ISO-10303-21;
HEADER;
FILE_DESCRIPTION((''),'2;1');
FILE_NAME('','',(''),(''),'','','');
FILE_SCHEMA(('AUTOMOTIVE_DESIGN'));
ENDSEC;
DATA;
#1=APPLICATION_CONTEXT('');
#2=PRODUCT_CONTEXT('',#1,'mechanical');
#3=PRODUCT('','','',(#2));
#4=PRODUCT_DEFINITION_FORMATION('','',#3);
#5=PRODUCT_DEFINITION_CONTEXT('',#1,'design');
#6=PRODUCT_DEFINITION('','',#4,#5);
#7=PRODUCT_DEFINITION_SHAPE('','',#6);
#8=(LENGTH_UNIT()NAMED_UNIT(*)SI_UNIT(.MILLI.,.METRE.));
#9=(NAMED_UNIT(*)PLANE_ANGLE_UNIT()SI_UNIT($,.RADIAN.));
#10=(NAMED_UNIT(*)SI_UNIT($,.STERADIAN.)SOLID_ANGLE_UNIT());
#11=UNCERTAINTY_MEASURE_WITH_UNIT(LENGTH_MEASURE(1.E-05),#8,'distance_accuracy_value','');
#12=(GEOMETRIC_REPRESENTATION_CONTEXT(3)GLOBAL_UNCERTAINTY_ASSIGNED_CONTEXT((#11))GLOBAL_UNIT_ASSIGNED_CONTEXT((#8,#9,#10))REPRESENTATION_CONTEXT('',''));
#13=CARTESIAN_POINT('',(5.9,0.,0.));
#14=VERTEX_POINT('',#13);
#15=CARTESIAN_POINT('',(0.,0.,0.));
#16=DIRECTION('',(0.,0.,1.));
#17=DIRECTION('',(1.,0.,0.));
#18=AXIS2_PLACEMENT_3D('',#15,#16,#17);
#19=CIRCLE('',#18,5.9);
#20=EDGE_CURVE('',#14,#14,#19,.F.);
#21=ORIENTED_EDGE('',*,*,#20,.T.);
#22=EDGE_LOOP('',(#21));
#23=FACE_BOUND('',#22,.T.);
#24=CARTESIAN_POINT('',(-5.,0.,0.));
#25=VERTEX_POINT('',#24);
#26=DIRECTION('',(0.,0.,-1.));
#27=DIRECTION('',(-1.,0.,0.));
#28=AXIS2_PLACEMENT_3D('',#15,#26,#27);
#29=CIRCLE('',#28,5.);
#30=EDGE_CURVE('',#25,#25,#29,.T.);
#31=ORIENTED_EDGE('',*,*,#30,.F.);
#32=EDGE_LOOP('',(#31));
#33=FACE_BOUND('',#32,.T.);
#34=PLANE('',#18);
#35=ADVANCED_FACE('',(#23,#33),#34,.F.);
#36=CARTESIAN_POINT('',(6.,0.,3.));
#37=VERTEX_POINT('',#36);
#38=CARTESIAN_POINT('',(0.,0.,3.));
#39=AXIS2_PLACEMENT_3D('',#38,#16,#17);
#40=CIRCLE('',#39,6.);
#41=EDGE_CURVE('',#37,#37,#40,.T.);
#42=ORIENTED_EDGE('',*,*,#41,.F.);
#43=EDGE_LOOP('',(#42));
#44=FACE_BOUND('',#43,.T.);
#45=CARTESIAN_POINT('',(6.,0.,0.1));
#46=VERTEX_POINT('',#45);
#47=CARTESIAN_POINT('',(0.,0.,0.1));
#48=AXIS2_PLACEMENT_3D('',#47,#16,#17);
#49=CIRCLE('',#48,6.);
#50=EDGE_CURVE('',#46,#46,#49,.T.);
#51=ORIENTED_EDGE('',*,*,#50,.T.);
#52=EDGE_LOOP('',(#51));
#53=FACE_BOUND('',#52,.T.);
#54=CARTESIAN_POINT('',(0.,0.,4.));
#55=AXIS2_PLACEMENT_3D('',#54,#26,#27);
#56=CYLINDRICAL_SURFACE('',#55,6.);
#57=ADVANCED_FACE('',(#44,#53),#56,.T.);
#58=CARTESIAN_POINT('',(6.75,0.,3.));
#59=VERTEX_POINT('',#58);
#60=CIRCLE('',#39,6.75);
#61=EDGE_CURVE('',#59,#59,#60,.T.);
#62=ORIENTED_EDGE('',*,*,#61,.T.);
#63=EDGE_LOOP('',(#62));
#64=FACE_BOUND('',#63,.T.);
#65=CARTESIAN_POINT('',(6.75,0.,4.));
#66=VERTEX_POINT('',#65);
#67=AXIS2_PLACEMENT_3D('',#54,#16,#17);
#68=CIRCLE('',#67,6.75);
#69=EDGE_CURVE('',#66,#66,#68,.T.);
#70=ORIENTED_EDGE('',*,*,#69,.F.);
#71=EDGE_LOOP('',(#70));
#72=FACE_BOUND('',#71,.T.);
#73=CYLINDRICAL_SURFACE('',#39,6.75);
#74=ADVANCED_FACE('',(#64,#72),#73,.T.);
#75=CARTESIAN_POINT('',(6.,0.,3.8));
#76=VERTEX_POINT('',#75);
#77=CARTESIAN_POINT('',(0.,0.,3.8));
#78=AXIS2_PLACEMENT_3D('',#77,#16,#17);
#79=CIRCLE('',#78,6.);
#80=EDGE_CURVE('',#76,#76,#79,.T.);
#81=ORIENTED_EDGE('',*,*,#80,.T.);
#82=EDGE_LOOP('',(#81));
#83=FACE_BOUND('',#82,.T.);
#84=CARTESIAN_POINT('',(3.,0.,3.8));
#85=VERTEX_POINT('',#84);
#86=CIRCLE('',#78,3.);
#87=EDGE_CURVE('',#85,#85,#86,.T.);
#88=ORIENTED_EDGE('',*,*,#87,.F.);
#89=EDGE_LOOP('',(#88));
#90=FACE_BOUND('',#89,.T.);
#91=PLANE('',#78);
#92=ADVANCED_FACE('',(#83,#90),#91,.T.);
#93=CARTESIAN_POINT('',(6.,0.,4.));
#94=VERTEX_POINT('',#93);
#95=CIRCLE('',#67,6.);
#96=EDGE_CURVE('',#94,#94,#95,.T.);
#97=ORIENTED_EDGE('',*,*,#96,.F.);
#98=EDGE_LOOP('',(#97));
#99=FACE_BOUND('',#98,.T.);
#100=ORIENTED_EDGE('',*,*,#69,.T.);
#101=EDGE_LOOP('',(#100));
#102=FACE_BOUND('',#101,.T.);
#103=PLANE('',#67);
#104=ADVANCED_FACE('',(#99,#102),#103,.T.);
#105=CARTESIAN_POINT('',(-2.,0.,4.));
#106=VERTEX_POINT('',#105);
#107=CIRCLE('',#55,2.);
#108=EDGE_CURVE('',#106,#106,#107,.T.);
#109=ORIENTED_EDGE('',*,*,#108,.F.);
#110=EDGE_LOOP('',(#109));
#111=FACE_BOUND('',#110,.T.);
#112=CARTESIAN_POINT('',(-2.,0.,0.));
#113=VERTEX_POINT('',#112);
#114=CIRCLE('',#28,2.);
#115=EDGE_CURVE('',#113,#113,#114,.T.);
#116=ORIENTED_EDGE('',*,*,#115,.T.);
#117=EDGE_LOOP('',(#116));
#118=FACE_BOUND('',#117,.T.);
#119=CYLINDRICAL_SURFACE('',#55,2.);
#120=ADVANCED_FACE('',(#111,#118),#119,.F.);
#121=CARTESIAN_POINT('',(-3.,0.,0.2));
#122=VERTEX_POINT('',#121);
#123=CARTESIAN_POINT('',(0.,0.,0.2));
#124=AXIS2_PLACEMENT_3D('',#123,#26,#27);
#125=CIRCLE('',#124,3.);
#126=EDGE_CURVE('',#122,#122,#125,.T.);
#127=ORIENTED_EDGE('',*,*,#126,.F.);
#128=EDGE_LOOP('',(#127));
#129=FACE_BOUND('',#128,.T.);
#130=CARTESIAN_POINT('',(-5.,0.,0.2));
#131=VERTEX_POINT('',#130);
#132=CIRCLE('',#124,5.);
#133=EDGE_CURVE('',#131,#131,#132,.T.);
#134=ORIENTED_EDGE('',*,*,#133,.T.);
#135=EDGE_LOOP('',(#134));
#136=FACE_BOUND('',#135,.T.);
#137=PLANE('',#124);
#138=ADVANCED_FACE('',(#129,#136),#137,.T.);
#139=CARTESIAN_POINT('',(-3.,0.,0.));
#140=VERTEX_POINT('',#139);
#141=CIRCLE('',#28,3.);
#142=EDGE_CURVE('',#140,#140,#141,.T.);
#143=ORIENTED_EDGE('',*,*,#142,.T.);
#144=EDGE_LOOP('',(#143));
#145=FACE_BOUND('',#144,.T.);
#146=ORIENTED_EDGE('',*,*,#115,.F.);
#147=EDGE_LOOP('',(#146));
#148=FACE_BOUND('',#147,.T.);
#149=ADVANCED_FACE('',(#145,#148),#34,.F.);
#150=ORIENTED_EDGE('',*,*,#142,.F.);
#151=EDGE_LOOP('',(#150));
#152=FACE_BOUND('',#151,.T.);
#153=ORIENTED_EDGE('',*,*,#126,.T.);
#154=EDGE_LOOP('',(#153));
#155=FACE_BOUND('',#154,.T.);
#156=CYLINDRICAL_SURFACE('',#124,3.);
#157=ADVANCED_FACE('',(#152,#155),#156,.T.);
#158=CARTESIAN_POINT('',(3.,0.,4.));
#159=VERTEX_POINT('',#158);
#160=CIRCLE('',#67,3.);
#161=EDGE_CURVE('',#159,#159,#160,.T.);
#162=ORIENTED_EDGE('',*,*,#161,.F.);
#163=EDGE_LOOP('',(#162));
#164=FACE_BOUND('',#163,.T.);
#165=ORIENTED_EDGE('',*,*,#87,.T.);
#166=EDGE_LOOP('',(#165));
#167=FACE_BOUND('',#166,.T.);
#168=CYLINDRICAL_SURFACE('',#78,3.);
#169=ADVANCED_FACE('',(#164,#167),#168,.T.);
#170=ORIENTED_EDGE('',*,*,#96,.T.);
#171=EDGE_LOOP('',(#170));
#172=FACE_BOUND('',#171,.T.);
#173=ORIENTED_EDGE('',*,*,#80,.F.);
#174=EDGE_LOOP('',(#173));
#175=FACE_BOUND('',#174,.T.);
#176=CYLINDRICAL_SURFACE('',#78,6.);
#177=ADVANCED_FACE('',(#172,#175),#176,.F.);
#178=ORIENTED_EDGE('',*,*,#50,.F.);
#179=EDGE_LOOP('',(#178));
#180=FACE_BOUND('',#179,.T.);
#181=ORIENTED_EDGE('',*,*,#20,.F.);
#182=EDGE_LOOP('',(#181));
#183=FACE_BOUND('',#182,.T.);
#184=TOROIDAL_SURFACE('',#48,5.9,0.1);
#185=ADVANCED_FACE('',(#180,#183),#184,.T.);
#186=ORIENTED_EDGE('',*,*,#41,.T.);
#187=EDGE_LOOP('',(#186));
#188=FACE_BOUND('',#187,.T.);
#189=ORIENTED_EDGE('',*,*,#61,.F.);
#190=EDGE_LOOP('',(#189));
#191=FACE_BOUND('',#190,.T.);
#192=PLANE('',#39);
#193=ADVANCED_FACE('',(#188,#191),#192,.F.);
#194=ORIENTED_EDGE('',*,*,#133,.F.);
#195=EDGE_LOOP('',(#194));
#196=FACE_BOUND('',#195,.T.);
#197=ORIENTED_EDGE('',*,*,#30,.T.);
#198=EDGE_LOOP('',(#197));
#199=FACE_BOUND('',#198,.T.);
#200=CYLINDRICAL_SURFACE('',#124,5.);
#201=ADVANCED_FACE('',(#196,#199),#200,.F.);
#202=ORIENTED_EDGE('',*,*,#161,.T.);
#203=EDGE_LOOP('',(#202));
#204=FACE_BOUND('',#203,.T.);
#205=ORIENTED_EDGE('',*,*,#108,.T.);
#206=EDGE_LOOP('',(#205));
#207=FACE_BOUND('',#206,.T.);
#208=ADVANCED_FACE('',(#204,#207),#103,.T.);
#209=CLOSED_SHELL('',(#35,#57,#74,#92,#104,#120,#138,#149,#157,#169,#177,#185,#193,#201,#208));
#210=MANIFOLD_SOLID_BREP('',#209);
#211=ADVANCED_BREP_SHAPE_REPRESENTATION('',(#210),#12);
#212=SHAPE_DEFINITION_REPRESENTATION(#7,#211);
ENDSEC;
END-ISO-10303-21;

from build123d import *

# Parameters (mm, degrees)
SKETCH_1_R          = 6
EXTRUDE_1_DEPTH     = 4
SKETCH_2_R          = 6.75
EXTRUDE_2_DEPTH     = 1
SKETCH_3_R          = 2
CUT_EXTRUDE_1_DEPTH = 5
SKETCH_4_R          = 5
SKETCH_4_R_2        = 3
CUT_EXTRUDE_2_DEPTH = 0.2
SKETCH_5_R          = 6
SKETCH_5_R_2        = 3
CUT_EXTRUDE_3_DEPTH = 0.2
FILLET_1_R          = 0.1


with BuildPart() as part:
    # 草圖1 → 填料-伸長1 (new body)
    with BuildSketch(Plane.XY):
        Circle(SKETCH_1_R)
    extrude(amount=EXTRUDE_1_DEPTH)

    # 草圖2 → 填料-伸長2 (add)
    with BuildSketch(Plane.XY.offset(4)):
        Circle(SKETCH_2_R)
    extrude(amount=-EXTRUDE_2_DEPTH)

    # 草圖3 → 除料-伸長1 (cut, through all)
    with BuildSketch(Plane(origin=(0, 0, 0), x_dir=(-1, 0, 0), z_dir=(0, 0, -1))):
        Circle(SKETCH_3_R)
    extrude(amount=-CUT_EXTRUDE_1_DEPTH, mode=Mode.SUBTRACT)

    # 草圖4 → 除料-伸長2 (cut)
    with BuildSketch(Plane(origin=(0, 0, 0), x_dir=(-1, 0, 0), z_dir=(0, 0, -1))):
        Circle(SKETCH_4_R)
        Circle(SKETCH_4_R_2, mode=Mode.SUBTRACT)
    extrude(amount=-CUT_EXTRUDE_2_DEPTH, mode=Mode.SUBTRACT)

    # 草圖5 → 除料-伸長3 (cut)
    with BuildSketch(Plane.XY.offset(4)):
        Circle(SKETCH_5_R)
        Circle(SKETCH_5_R_2, mode=Mode.SUBTRACT)
    extrude(amount=-CUT_EXTRUDE_3_DEPTH, mode=Mode.SUBTRACT)

    # 圓角1
    fillet_1_edges = [part.edges().sort_by_distance(p)[0] for p in [
        (-6, 0, 0),
    ]]
    fillet(fillet_1_edges, radius=FILLET_1_R)


solid = part.part
